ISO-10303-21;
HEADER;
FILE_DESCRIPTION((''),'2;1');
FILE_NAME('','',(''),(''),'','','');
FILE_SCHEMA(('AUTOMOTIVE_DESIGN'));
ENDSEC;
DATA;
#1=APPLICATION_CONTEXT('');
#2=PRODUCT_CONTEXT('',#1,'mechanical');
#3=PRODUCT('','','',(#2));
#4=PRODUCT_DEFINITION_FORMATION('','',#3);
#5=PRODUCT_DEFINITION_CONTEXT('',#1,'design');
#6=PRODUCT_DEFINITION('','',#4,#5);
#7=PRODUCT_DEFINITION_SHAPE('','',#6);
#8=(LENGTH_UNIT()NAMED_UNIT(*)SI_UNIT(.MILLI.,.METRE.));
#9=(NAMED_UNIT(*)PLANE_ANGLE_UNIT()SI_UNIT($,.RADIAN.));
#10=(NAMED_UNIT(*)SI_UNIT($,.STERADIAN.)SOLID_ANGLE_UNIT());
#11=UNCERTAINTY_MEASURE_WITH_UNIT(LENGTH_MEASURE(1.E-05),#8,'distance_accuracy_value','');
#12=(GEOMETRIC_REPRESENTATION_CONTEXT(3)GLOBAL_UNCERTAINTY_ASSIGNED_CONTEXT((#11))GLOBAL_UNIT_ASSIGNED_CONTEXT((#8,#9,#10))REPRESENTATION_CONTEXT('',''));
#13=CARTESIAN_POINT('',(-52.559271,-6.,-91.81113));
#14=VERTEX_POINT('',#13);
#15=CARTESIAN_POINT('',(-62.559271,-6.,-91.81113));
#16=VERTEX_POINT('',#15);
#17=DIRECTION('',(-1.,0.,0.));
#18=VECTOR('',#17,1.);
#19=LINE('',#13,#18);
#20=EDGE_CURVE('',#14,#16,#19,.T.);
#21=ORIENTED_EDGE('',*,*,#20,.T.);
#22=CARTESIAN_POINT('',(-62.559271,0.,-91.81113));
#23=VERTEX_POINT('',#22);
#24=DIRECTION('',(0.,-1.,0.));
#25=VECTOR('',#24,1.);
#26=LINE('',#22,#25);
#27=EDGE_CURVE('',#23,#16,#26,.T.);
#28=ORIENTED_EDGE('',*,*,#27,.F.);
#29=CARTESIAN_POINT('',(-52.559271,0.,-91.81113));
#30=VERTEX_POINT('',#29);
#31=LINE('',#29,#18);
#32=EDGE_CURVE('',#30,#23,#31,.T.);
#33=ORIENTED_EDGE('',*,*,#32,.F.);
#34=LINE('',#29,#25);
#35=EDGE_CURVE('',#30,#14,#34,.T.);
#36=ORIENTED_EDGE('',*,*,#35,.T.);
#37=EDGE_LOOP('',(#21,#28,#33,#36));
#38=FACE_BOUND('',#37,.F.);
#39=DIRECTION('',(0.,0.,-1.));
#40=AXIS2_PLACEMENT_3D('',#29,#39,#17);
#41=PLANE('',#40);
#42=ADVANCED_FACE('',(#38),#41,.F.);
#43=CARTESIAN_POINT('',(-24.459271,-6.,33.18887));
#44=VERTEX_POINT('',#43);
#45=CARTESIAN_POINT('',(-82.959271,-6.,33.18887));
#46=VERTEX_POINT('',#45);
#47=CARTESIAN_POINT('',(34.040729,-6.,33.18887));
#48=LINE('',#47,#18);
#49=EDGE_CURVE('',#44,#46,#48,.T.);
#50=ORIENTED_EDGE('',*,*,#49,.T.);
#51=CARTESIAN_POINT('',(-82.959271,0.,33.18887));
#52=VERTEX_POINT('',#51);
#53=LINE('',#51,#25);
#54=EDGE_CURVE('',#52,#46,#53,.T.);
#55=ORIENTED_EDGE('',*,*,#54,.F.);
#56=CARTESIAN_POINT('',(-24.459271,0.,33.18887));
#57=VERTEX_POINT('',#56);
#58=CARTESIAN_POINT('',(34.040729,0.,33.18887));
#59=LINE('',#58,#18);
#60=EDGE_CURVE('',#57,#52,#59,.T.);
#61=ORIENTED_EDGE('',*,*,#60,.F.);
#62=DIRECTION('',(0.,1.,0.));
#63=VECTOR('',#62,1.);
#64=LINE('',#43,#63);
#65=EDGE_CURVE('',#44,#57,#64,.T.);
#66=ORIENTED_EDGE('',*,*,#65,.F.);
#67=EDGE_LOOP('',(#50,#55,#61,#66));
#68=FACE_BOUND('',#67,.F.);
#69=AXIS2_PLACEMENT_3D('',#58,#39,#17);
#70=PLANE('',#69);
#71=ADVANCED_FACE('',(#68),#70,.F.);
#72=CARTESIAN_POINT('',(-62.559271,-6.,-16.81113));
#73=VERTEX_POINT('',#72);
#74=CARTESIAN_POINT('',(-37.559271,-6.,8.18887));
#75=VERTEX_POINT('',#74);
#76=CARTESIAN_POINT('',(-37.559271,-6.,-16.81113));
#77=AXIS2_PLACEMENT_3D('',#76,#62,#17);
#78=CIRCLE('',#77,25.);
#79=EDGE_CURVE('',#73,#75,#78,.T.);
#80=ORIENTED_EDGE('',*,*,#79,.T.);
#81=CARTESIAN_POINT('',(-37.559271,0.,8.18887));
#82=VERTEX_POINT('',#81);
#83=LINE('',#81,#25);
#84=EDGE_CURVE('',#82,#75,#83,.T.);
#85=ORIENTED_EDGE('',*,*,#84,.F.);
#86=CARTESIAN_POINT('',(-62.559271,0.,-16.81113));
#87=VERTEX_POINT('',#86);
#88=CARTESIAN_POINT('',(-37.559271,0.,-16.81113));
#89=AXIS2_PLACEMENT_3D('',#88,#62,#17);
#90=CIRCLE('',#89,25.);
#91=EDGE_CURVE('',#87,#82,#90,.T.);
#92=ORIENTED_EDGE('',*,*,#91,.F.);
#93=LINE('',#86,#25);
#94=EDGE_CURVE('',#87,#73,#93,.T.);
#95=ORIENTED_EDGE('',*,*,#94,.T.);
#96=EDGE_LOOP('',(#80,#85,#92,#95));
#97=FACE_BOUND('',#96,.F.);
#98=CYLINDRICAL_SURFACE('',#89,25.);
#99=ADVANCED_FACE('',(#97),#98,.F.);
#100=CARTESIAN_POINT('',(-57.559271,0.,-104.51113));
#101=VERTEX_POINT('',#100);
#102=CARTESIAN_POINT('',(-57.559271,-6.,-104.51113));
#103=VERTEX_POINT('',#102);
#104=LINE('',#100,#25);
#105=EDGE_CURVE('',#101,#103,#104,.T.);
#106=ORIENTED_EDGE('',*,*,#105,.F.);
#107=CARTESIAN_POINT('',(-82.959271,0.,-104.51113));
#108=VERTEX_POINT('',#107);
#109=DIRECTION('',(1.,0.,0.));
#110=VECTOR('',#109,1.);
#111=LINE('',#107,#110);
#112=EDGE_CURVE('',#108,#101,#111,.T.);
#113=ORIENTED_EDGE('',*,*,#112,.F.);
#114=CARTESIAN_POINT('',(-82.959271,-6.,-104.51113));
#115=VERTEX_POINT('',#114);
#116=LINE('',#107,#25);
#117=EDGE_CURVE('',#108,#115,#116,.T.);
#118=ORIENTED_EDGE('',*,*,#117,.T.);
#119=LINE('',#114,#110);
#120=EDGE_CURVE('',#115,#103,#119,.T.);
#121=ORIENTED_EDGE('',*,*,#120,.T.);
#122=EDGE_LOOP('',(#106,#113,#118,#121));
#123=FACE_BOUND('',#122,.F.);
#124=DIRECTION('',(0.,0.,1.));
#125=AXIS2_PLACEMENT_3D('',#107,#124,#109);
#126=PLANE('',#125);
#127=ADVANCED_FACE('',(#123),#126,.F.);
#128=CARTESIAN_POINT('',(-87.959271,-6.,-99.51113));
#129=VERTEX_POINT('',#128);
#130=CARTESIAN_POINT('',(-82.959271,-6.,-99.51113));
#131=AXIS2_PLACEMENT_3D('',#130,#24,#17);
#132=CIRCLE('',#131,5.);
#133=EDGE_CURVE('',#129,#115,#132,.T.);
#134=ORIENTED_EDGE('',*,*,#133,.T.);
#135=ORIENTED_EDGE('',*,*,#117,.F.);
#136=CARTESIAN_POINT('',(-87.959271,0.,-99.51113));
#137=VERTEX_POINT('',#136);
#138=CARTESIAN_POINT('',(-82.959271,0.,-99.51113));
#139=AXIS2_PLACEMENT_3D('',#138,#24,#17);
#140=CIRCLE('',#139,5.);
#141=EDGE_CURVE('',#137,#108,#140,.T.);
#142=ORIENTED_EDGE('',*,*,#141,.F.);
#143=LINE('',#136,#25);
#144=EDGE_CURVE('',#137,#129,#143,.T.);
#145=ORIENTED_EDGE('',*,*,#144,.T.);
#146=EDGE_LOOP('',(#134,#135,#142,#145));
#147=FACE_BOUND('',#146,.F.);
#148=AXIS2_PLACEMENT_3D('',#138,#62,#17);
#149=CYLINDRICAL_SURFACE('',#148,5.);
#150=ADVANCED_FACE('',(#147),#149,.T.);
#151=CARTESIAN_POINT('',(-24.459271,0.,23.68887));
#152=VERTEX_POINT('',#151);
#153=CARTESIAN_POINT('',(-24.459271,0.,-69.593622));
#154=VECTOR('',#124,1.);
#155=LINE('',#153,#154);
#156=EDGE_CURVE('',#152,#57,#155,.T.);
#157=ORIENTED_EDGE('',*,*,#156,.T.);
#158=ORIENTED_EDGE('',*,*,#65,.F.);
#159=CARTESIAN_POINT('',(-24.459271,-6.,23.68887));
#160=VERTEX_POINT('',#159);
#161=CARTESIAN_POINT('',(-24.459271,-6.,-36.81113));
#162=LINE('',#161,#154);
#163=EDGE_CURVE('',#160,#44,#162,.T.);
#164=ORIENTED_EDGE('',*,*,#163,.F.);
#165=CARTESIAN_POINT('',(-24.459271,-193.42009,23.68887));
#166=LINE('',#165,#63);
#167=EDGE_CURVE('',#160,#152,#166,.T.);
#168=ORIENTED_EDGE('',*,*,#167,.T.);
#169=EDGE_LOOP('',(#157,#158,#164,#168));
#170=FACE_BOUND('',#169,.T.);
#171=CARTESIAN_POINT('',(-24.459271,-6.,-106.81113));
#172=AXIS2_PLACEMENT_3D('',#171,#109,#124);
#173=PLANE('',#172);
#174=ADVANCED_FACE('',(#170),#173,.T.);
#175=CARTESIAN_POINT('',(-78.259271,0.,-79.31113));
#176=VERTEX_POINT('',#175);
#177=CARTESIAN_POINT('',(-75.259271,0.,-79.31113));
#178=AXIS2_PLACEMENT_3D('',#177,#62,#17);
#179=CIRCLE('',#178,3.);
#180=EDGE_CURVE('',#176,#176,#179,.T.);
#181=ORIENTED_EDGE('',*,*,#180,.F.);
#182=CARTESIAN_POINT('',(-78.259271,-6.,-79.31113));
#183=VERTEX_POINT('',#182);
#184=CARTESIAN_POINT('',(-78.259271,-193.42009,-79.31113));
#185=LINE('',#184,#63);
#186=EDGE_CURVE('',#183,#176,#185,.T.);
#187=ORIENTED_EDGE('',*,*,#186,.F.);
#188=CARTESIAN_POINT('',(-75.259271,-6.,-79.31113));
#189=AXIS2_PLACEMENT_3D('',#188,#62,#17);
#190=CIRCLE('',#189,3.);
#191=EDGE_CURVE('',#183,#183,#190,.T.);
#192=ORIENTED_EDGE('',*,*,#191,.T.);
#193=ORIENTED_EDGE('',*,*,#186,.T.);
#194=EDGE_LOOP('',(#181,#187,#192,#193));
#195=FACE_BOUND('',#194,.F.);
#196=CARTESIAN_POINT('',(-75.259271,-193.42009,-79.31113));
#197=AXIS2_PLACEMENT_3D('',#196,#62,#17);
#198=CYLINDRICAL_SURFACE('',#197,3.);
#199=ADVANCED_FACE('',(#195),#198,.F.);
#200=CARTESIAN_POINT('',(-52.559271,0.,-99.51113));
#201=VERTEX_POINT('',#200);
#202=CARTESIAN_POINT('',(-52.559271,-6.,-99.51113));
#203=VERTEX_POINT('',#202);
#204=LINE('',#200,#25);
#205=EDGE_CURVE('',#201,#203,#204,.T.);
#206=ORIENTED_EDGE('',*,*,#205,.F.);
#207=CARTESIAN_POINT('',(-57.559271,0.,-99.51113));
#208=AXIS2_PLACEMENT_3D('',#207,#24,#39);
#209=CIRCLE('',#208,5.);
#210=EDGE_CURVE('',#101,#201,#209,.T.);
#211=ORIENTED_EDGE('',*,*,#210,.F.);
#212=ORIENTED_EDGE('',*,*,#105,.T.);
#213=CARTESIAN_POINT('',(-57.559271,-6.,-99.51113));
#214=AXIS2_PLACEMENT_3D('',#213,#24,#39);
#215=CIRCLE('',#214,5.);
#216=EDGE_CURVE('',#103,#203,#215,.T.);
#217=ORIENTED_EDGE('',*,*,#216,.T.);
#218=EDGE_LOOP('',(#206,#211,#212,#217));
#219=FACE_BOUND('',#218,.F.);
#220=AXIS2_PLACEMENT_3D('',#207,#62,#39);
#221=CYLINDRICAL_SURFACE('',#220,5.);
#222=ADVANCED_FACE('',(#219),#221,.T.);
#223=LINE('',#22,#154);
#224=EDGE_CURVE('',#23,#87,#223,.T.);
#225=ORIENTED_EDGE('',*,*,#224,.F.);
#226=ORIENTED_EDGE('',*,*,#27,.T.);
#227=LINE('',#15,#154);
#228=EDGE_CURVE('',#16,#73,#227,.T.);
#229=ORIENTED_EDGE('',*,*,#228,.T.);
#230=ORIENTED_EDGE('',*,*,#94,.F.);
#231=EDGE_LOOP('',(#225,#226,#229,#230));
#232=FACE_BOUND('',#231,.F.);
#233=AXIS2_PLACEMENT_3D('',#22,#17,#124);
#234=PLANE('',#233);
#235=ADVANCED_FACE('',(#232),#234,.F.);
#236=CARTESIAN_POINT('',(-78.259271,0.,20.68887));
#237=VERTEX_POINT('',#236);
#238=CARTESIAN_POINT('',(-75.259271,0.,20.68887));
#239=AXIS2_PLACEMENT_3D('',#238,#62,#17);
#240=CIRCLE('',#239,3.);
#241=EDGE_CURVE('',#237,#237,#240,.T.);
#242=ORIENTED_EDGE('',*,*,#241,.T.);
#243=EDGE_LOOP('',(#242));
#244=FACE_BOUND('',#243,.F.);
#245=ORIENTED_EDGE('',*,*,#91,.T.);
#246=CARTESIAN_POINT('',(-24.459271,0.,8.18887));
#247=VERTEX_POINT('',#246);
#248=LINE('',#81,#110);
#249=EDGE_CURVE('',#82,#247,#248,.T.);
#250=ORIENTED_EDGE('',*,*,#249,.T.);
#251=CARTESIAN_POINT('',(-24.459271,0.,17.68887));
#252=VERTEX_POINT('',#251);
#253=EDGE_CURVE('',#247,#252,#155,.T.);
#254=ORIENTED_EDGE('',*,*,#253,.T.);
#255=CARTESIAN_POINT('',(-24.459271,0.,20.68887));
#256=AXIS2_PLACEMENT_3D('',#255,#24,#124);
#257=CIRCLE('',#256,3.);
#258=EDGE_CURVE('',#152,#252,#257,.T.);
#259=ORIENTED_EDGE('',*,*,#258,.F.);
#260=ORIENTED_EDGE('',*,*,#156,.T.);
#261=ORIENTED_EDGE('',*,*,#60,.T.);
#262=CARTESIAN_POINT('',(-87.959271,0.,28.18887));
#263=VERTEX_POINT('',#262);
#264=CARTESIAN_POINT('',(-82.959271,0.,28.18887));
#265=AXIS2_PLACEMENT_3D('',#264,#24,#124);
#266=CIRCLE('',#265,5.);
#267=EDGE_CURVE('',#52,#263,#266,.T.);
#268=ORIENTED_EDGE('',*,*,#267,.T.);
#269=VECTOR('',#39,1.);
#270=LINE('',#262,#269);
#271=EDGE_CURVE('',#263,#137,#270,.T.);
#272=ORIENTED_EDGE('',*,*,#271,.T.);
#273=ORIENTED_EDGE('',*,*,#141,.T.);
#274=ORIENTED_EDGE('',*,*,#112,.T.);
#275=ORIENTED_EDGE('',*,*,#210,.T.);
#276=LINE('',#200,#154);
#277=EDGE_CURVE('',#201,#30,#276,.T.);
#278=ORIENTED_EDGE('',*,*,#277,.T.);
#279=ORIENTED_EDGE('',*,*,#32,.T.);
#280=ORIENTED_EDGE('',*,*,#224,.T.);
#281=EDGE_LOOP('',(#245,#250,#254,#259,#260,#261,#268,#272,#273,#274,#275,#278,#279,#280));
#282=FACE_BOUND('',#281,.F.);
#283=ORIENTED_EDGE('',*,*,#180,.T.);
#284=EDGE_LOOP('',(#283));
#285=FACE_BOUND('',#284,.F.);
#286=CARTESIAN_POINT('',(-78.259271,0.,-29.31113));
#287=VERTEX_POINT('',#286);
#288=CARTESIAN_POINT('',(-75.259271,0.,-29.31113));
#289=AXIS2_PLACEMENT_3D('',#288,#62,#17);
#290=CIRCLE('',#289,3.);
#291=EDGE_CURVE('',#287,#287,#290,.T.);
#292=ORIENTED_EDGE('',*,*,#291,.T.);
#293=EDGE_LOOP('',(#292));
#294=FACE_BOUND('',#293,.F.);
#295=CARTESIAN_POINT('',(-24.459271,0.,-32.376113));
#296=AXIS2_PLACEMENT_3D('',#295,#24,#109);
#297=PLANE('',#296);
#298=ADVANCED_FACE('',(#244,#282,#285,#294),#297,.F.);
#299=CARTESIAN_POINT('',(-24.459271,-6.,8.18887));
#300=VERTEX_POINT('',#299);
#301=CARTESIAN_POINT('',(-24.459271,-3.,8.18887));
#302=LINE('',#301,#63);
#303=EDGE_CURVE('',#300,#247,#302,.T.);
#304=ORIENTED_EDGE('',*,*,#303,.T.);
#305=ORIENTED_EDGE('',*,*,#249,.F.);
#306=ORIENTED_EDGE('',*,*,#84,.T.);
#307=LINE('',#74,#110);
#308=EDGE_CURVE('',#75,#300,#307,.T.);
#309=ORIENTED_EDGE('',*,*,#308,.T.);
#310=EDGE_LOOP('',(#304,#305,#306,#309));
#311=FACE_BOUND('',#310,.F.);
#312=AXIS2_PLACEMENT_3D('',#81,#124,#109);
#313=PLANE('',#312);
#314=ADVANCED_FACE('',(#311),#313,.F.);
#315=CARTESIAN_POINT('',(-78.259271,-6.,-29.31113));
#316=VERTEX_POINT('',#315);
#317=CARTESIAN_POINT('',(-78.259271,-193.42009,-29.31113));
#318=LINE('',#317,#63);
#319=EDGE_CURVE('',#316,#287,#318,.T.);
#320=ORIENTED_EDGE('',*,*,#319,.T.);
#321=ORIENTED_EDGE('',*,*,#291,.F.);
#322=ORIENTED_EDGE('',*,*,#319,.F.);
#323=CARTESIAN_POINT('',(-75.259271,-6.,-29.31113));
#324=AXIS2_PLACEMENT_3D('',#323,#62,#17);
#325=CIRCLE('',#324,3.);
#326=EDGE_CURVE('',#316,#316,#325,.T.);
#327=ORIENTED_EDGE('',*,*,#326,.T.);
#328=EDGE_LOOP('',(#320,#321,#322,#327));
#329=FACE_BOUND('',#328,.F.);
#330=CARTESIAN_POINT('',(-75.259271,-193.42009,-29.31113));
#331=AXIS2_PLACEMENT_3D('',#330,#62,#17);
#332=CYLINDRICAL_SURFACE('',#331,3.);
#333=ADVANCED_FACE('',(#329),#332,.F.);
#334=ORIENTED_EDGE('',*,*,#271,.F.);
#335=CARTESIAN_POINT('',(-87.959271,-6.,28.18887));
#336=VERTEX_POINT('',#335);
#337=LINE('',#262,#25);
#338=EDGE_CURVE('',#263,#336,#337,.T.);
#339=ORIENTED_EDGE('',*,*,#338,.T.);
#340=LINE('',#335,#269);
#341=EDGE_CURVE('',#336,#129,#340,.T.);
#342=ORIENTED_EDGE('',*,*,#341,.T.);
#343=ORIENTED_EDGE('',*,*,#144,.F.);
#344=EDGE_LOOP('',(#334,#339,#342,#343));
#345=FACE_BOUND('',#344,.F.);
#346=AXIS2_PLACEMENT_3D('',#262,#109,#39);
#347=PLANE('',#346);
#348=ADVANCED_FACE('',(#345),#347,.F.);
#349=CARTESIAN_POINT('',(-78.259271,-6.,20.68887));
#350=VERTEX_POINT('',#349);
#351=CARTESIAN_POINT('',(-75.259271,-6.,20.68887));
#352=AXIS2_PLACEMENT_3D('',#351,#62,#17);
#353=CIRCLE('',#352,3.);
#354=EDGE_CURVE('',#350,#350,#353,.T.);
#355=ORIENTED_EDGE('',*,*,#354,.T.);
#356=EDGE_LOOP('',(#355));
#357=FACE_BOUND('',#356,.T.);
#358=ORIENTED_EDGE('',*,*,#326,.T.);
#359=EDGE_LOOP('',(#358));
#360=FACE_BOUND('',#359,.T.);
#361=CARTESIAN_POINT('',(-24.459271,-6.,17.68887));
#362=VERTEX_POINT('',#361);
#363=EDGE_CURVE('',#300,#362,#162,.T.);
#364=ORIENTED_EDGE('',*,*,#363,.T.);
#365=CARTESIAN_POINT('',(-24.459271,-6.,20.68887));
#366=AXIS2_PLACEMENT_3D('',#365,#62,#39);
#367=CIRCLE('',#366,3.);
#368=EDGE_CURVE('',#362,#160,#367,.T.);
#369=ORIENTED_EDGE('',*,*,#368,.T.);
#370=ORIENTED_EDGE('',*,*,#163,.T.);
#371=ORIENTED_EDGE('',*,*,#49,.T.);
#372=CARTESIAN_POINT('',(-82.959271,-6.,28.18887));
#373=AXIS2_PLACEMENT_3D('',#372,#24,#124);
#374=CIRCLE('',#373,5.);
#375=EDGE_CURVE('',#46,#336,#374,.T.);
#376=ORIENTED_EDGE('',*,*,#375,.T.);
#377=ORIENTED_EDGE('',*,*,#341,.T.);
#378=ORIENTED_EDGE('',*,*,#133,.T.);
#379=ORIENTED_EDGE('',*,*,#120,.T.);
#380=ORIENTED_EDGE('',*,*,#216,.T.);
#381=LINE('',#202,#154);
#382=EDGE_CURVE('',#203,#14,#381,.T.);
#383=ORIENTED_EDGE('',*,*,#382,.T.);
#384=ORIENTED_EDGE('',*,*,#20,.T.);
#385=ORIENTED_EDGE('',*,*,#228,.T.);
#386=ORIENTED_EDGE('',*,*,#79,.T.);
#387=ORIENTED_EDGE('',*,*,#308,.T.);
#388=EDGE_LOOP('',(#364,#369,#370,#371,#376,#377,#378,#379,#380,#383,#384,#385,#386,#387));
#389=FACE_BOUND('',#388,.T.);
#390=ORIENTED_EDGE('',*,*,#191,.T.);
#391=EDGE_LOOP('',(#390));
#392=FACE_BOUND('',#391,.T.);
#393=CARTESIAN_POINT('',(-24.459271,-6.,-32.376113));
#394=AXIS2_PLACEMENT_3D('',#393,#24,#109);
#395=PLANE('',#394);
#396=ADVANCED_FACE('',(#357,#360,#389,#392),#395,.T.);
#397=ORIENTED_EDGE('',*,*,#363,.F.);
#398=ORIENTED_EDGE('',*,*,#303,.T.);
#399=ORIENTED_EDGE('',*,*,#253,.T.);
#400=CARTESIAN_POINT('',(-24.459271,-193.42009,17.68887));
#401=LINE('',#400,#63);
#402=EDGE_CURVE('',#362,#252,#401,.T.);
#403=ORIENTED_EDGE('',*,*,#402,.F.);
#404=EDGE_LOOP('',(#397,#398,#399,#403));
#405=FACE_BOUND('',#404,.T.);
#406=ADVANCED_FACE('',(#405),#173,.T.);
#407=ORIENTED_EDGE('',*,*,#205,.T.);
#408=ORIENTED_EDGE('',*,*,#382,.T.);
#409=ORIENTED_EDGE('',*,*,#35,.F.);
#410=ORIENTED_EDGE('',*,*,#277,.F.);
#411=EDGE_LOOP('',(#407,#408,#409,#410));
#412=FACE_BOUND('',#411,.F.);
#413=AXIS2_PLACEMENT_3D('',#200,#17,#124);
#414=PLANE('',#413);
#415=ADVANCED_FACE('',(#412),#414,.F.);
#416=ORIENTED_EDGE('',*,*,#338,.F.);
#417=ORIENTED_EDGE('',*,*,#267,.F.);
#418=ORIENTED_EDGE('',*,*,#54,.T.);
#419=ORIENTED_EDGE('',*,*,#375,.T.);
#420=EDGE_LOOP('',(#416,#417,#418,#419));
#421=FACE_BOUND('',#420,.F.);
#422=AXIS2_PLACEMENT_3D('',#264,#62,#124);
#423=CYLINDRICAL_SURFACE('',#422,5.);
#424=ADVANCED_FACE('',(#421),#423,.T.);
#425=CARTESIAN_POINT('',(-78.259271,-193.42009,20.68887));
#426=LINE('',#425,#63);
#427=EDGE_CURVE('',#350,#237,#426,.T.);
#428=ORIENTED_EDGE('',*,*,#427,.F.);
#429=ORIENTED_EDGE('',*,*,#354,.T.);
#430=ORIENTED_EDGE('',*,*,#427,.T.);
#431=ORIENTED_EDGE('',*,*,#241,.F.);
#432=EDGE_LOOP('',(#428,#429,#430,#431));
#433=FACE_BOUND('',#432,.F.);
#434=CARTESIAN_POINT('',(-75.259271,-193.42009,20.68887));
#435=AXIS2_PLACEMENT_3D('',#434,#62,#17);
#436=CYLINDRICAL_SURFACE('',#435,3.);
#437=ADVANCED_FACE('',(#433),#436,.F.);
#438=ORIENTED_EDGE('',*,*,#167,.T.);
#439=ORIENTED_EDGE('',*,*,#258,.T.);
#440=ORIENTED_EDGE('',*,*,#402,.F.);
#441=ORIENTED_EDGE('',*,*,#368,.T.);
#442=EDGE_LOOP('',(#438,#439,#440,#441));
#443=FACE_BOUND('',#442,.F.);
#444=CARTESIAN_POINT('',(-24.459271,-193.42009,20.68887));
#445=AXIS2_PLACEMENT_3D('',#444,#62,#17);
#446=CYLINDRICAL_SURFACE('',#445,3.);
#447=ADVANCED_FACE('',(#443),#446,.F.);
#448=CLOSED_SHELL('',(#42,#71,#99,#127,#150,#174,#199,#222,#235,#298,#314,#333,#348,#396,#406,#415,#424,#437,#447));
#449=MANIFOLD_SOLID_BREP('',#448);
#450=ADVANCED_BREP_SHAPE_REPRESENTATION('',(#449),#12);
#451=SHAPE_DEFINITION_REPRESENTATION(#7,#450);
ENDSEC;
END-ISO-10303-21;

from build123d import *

# Parameters (mm, degrees)
F1_DEPTH = 6
F3_D     = 6
F4_W     = 63.5
F4_H     = 140
F5_DEPTH = 25


with BuildPart() as f1:
    # F0 (on Front) → F1 (new body)
    with BuildSketch(Plane.XZ):
        with BuildLine():
            Line((34.0407285993, 33.1888695754), (-82.9592714007, 33.1888695754))
            ThreePointArc((-82.9592714007, 33.1888695754), (-86.4948053066, 31.7244034814), (-87.9592714007, 28.1888695754))
            Line((-87.9592714007, 28.1888695754), (-87.9592714007, -99.5111304246))
            ThreePointArc((-87.9592714007, -99.5111304246), (-86.4948053066, -103.0466643305), (-82.9592714007, -104.5111304246))
            Line((-82.9592714007, -104.5111304246), (-57.5592714007, -104.5111304246))
            ThreePointArc((-57.5592714007, -104.5111304246), (-54.0237374948, -103.0466643305), (-52.5592714007, -99.5111304246))
            Line((-52.5592714007, -99.5111304246), (-52.5592714007, -91.8111304246))
            Line((-52.5592714007, -91.8111304246), (-62.5592714007, -91.8111304246))
            Line((-62.5592714007, -91.8111304246), (-62.5592714007, -16.8111304246))
            ThreePointArc((-62.5592714007, -16.8111304246), (-55.2369409303, 0.8665391051), (-37.5592714007, 8.1888695754))
            Line((-37.5592714007, 8.1888695754), (-11.3592714007, 8.1888695754))
            ThreePointArc((-11.3592714007, 8.1888695754), (6.318398129, 0.8665391051), (13.6407285993, -16.8111304246))
            Line((13.6407285993, -16.8111304246), (13.6407285993, -91.8111304246))
            Line((13.6407285993, -91.8111304246), (3.6407285993, -91.8111304246))
            Line((3.6407285993, -91.8111304246), (3.6407285993, -99.5111304246))
            ThreePointArc((3.6407285993, -99.5111304246), (5.1051946934, -103.0466643305), (8.6407285993, -104.5111304246))
            Line((8.6407285993, -104.5111304246), (34.0407285993, -104.5111304246))
            ThreePointArc((34.0407285993, -104.5111304246), (37.5762625052, -103.0466643305), (39.0407285993, -99.5111304246))
            Line((39.0407285993, -99.5111304246), (39.0407285993, 28.1888695754))
            ThreePointArc((39.0407285993, 28.1888695754), (37.5762625052, 31.7244034814), (34.0407285993, 33.1888695754))
        make_face()
    extrude(amount=F1_DEPTH)

    # F3 (through all)
    with Locations(Plane.XZ.offset(6)):
        with Locations((-75.2592714007, 20.6888695754), (-75.2592714007, -29.3111304246), (-75.2592714007, -79.3111304246), (-24.4592714007, 20.6888695754), (26.3407285993, 20.6888695754), (26.3407285993, -29.3111304246), (26.3407285993, -79.3111304246)):
            Hole(F3_D / 2)

    # F4 (on face) → F5 (cut)
    with BuildSketch(Plane.XZ.offset(6)):
        with Locations((7.2907285993, -36.8111304246)):
            Rectangle(F4_W, F4_H)
    extrude(amount=-F5_DEPTH, mode=Mode.SUBTRACT)


solid = f1.part
